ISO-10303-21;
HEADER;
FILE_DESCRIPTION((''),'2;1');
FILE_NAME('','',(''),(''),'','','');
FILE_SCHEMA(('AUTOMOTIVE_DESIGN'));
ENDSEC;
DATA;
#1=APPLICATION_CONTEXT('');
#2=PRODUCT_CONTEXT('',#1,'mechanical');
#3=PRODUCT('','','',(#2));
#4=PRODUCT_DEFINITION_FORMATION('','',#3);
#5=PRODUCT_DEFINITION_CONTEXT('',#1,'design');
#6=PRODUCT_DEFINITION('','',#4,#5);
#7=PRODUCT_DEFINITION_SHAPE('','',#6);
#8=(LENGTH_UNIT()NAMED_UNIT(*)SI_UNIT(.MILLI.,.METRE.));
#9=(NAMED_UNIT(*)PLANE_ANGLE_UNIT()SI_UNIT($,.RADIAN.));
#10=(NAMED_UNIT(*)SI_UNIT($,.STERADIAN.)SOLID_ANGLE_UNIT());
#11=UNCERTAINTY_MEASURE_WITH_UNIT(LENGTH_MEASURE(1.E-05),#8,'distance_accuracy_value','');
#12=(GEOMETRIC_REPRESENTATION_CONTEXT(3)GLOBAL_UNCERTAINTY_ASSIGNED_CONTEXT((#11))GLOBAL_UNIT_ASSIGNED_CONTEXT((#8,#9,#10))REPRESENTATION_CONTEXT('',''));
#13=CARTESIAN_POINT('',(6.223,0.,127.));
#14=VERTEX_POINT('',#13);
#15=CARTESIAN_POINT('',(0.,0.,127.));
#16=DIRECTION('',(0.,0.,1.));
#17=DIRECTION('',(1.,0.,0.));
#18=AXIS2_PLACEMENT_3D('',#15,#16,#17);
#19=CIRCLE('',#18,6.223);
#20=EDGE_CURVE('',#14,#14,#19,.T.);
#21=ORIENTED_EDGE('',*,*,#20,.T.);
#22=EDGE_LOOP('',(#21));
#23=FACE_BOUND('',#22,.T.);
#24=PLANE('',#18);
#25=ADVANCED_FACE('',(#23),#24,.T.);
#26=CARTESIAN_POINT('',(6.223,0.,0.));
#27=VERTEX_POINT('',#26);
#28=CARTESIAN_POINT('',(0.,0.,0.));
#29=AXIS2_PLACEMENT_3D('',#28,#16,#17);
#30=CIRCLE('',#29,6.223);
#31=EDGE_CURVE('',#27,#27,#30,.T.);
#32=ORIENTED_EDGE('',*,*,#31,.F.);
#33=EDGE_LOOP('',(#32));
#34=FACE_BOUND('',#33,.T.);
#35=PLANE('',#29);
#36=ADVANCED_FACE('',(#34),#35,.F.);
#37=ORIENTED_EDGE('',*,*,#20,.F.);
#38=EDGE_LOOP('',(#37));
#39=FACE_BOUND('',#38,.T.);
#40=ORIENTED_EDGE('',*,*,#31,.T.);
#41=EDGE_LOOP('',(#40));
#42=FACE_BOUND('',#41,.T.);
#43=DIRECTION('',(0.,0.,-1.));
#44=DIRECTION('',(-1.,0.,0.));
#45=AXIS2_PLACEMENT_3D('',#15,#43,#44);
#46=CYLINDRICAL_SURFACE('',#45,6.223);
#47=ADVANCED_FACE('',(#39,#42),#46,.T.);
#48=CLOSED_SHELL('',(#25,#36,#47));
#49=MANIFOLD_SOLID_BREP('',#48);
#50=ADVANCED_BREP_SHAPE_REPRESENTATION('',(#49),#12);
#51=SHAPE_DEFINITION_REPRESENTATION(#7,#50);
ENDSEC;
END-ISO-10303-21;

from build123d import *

# Parameters (mm, degrees)
SKETCH1_R           = 6.223
BOSS_EXTRUDE1_DEPTH = 127


with BuildPart() as part:
    # Sketch1 → Boss-Extrude1 (new body)
    with BuildSketch(Plane(origin=(0, 0, 0), x_dir=(0, 1, 0), z_dir=(0, 0, 1))):
        with Locations(Location((0, 0, 0), (0, 0, 270))):
            Circle(SKETCH1_R)
    extrude(amount=BOSS_EXTRUDE1_DEPTH)


solid = part.part
